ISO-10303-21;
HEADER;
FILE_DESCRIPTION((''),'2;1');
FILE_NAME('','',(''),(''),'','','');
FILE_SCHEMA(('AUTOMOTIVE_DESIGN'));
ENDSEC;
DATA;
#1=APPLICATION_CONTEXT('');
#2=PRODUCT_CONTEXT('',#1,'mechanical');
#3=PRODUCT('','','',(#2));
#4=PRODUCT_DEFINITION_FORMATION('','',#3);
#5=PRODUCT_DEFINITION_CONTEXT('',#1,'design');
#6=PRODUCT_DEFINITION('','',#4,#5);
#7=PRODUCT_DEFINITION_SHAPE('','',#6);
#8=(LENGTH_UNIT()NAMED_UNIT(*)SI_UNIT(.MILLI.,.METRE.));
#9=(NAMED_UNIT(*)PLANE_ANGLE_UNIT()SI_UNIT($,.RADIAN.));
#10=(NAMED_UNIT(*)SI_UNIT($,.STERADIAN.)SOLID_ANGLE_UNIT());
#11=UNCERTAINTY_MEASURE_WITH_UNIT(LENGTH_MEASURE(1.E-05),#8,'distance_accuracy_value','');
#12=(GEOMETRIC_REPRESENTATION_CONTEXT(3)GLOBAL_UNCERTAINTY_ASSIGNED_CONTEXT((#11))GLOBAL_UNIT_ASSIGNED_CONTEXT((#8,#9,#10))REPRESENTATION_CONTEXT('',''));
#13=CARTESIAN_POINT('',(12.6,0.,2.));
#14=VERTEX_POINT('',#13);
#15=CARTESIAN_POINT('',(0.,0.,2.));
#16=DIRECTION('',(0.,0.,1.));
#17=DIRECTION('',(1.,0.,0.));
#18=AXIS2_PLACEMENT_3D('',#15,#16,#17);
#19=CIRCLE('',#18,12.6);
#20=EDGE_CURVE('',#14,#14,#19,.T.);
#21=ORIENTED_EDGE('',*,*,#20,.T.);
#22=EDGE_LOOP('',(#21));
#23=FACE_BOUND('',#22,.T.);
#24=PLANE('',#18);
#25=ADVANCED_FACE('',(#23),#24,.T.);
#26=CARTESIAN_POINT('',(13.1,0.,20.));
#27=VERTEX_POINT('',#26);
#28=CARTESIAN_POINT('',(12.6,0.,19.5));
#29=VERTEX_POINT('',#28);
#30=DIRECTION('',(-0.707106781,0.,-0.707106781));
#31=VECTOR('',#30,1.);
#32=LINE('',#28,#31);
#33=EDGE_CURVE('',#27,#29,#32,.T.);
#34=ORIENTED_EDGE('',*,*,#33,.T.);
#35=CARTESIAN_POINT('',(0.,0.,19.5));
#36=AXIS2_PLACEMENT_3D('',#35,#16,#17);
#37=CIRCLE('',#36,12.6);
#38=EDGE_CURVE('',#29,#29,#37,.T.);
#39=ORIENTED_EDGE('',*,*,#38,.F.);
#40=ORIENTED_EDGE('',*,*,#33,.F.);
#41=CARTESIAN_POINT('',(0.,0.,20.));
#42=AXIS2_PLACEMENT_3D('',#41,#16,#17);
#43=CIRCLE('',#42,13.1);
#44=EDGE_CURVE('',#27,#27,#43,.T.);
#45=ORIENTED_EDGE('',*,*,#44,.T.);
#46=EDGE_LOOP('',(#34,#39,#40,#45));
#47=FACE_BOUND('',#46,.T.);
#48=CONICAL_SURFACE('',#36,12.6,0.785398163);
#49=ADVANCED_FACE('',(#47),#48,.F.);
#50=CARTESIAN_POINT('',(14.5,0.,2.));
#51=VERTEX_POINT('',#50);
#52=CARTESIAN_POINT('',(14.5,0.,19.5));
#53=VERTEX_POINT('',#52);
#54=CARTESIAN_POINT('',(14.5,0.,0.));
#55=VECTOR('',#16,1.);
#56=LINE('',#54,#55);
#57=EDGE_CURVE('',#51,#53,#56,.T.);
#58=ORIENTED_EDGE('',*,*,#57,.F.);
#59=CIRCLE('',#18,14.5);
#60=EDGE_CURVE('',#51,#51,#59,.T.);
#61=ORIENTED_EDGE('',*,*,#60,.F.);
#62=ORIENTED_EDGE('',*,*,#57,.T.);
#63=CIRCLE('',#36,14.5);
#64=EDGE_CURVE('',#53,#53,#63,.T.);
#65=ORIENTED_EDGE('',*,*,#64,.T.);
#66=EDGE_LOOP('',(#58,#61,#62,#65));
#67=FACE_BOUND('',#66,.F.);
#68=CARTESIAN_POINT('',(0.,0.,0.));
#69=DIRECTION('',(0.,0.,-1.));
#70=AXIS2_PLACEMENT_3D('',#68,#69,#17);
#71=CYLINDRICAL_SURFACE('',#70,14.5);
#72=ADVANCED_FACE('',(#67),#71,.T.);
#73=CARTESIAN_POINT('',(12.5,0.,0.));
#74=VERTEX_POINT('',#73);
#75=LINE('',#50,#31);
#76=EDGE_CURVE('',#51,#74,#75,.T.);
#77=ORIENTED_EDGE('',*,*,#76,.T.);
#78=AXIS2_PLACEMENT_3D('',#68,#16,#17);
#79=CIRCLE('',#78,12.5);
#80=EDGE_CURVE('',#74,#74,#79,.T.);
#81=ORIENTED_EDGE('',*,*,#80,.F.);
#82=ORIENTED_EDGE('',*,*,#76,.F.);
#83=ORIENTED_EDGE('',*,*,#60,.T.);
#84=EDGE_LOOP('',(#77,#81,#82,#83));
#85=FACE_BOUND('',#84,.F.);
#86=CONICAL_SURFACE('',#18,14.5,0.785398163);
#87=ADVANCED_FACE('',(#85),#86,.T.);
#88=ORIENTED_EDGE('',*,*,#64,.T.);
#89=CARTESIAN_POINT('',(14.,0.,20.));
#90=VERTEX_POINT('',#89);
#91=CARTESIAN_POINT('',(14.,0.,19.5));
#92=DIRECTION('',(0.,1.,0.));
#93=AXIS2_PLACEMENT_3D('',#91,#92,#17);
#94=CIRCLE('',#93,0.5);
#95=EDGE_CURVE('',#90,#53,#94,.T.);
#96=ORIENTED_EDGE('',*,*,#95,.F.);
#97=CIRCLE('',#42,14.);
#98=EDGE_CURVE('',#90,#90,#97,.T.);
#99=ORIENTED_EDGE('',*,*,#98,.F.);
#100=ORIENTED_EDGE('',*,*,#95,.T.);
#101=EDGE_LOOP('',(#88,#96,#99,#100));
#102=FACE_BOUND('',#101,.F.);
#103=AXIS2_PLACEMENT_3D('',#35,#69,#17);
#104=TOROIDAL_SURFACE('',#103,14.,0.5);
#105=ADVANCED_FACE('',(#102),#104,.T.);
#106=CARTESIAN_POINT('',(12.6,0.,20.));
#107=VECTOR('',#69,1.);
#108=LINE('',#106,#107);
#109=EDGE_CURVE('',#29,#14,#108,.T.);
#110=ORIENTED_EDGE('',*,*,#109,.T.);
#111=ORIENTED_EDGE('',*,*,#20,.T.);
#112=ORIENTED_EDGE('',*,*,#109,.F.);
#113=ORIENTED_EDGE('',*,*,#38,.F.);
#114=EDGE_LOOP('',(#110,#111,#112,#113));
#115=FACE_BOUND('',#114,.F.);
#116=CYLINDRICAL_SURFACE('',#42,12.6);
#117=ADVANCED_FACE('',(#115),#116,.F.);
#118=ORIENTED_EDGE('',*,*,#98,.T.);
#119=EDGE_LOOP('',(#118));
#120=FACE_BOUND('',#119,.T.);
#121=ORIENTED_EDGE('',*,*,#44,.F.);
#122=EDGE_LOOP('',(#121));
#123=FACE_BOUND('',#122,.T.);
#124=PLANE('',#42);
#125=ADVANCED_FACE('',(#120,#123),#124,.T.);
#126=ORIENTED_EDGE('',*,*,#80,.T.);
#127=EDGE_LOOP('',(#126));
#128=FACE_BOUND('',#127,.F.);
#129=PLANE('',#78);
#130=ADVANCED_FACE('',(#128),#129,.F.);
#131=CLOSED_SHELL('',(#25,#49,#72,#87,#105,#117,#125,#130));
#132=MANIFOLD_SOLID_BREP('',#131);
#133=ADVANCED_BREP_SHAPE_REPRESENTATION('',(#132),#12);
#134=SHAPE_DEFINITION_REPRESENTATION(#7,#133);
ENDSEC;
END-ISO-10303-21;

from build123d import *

# Parameters (mm, degrees)
SKETCH_R        = 14.5
PAD_DEPTH       = 20
SKETCH001_R     = 12.6
POCKET_DEPTH    = 18
CHAMFER_SIZE    = 2
CHAMFER001_SIZE = 0.5
FILLET_R        = 0.5


with BuildPart() as part:
    # Sketch → Pad (new body)
    with BuildSketch(Plane.XY):
        Circle(SKETCH_R)
    extrude(amount=PAD_DEPTH)

    # Sketch001 (on Face3 of Pad) → Pocket (cut)
    with BuildSketch(Plane.XY.offset(20)):
        Circle(SKETCH001_R)
    extrude(amount=-POCKET_DEPTH, mode=Mode.SUBTRACT)

    # Chamfer
    chamfer_edges = [part.edges().sort_by_distance(p)[0] for p in [
        (-14.5, 0, 0),
    ]]
    chamfer(chamfer_edges, length=CHAMFER_SIZE)

    # Chamfer001
    chamfer001_edges = [part.edges().sort_by_distance(p)[0] for p in [
        (-12.6, 0, 20),
    ]]
    chamfer(chamfer001_edges, length=CHAMFER001_SIZE)

    # Fillet
    fillet_edges = [part.edges().sort_by_distance(p)[0] for p in [
        (-14.5, 0, 20),
    ]]
    fillet(fillet_edges, radius=FILLET_R)


solid = part.part
